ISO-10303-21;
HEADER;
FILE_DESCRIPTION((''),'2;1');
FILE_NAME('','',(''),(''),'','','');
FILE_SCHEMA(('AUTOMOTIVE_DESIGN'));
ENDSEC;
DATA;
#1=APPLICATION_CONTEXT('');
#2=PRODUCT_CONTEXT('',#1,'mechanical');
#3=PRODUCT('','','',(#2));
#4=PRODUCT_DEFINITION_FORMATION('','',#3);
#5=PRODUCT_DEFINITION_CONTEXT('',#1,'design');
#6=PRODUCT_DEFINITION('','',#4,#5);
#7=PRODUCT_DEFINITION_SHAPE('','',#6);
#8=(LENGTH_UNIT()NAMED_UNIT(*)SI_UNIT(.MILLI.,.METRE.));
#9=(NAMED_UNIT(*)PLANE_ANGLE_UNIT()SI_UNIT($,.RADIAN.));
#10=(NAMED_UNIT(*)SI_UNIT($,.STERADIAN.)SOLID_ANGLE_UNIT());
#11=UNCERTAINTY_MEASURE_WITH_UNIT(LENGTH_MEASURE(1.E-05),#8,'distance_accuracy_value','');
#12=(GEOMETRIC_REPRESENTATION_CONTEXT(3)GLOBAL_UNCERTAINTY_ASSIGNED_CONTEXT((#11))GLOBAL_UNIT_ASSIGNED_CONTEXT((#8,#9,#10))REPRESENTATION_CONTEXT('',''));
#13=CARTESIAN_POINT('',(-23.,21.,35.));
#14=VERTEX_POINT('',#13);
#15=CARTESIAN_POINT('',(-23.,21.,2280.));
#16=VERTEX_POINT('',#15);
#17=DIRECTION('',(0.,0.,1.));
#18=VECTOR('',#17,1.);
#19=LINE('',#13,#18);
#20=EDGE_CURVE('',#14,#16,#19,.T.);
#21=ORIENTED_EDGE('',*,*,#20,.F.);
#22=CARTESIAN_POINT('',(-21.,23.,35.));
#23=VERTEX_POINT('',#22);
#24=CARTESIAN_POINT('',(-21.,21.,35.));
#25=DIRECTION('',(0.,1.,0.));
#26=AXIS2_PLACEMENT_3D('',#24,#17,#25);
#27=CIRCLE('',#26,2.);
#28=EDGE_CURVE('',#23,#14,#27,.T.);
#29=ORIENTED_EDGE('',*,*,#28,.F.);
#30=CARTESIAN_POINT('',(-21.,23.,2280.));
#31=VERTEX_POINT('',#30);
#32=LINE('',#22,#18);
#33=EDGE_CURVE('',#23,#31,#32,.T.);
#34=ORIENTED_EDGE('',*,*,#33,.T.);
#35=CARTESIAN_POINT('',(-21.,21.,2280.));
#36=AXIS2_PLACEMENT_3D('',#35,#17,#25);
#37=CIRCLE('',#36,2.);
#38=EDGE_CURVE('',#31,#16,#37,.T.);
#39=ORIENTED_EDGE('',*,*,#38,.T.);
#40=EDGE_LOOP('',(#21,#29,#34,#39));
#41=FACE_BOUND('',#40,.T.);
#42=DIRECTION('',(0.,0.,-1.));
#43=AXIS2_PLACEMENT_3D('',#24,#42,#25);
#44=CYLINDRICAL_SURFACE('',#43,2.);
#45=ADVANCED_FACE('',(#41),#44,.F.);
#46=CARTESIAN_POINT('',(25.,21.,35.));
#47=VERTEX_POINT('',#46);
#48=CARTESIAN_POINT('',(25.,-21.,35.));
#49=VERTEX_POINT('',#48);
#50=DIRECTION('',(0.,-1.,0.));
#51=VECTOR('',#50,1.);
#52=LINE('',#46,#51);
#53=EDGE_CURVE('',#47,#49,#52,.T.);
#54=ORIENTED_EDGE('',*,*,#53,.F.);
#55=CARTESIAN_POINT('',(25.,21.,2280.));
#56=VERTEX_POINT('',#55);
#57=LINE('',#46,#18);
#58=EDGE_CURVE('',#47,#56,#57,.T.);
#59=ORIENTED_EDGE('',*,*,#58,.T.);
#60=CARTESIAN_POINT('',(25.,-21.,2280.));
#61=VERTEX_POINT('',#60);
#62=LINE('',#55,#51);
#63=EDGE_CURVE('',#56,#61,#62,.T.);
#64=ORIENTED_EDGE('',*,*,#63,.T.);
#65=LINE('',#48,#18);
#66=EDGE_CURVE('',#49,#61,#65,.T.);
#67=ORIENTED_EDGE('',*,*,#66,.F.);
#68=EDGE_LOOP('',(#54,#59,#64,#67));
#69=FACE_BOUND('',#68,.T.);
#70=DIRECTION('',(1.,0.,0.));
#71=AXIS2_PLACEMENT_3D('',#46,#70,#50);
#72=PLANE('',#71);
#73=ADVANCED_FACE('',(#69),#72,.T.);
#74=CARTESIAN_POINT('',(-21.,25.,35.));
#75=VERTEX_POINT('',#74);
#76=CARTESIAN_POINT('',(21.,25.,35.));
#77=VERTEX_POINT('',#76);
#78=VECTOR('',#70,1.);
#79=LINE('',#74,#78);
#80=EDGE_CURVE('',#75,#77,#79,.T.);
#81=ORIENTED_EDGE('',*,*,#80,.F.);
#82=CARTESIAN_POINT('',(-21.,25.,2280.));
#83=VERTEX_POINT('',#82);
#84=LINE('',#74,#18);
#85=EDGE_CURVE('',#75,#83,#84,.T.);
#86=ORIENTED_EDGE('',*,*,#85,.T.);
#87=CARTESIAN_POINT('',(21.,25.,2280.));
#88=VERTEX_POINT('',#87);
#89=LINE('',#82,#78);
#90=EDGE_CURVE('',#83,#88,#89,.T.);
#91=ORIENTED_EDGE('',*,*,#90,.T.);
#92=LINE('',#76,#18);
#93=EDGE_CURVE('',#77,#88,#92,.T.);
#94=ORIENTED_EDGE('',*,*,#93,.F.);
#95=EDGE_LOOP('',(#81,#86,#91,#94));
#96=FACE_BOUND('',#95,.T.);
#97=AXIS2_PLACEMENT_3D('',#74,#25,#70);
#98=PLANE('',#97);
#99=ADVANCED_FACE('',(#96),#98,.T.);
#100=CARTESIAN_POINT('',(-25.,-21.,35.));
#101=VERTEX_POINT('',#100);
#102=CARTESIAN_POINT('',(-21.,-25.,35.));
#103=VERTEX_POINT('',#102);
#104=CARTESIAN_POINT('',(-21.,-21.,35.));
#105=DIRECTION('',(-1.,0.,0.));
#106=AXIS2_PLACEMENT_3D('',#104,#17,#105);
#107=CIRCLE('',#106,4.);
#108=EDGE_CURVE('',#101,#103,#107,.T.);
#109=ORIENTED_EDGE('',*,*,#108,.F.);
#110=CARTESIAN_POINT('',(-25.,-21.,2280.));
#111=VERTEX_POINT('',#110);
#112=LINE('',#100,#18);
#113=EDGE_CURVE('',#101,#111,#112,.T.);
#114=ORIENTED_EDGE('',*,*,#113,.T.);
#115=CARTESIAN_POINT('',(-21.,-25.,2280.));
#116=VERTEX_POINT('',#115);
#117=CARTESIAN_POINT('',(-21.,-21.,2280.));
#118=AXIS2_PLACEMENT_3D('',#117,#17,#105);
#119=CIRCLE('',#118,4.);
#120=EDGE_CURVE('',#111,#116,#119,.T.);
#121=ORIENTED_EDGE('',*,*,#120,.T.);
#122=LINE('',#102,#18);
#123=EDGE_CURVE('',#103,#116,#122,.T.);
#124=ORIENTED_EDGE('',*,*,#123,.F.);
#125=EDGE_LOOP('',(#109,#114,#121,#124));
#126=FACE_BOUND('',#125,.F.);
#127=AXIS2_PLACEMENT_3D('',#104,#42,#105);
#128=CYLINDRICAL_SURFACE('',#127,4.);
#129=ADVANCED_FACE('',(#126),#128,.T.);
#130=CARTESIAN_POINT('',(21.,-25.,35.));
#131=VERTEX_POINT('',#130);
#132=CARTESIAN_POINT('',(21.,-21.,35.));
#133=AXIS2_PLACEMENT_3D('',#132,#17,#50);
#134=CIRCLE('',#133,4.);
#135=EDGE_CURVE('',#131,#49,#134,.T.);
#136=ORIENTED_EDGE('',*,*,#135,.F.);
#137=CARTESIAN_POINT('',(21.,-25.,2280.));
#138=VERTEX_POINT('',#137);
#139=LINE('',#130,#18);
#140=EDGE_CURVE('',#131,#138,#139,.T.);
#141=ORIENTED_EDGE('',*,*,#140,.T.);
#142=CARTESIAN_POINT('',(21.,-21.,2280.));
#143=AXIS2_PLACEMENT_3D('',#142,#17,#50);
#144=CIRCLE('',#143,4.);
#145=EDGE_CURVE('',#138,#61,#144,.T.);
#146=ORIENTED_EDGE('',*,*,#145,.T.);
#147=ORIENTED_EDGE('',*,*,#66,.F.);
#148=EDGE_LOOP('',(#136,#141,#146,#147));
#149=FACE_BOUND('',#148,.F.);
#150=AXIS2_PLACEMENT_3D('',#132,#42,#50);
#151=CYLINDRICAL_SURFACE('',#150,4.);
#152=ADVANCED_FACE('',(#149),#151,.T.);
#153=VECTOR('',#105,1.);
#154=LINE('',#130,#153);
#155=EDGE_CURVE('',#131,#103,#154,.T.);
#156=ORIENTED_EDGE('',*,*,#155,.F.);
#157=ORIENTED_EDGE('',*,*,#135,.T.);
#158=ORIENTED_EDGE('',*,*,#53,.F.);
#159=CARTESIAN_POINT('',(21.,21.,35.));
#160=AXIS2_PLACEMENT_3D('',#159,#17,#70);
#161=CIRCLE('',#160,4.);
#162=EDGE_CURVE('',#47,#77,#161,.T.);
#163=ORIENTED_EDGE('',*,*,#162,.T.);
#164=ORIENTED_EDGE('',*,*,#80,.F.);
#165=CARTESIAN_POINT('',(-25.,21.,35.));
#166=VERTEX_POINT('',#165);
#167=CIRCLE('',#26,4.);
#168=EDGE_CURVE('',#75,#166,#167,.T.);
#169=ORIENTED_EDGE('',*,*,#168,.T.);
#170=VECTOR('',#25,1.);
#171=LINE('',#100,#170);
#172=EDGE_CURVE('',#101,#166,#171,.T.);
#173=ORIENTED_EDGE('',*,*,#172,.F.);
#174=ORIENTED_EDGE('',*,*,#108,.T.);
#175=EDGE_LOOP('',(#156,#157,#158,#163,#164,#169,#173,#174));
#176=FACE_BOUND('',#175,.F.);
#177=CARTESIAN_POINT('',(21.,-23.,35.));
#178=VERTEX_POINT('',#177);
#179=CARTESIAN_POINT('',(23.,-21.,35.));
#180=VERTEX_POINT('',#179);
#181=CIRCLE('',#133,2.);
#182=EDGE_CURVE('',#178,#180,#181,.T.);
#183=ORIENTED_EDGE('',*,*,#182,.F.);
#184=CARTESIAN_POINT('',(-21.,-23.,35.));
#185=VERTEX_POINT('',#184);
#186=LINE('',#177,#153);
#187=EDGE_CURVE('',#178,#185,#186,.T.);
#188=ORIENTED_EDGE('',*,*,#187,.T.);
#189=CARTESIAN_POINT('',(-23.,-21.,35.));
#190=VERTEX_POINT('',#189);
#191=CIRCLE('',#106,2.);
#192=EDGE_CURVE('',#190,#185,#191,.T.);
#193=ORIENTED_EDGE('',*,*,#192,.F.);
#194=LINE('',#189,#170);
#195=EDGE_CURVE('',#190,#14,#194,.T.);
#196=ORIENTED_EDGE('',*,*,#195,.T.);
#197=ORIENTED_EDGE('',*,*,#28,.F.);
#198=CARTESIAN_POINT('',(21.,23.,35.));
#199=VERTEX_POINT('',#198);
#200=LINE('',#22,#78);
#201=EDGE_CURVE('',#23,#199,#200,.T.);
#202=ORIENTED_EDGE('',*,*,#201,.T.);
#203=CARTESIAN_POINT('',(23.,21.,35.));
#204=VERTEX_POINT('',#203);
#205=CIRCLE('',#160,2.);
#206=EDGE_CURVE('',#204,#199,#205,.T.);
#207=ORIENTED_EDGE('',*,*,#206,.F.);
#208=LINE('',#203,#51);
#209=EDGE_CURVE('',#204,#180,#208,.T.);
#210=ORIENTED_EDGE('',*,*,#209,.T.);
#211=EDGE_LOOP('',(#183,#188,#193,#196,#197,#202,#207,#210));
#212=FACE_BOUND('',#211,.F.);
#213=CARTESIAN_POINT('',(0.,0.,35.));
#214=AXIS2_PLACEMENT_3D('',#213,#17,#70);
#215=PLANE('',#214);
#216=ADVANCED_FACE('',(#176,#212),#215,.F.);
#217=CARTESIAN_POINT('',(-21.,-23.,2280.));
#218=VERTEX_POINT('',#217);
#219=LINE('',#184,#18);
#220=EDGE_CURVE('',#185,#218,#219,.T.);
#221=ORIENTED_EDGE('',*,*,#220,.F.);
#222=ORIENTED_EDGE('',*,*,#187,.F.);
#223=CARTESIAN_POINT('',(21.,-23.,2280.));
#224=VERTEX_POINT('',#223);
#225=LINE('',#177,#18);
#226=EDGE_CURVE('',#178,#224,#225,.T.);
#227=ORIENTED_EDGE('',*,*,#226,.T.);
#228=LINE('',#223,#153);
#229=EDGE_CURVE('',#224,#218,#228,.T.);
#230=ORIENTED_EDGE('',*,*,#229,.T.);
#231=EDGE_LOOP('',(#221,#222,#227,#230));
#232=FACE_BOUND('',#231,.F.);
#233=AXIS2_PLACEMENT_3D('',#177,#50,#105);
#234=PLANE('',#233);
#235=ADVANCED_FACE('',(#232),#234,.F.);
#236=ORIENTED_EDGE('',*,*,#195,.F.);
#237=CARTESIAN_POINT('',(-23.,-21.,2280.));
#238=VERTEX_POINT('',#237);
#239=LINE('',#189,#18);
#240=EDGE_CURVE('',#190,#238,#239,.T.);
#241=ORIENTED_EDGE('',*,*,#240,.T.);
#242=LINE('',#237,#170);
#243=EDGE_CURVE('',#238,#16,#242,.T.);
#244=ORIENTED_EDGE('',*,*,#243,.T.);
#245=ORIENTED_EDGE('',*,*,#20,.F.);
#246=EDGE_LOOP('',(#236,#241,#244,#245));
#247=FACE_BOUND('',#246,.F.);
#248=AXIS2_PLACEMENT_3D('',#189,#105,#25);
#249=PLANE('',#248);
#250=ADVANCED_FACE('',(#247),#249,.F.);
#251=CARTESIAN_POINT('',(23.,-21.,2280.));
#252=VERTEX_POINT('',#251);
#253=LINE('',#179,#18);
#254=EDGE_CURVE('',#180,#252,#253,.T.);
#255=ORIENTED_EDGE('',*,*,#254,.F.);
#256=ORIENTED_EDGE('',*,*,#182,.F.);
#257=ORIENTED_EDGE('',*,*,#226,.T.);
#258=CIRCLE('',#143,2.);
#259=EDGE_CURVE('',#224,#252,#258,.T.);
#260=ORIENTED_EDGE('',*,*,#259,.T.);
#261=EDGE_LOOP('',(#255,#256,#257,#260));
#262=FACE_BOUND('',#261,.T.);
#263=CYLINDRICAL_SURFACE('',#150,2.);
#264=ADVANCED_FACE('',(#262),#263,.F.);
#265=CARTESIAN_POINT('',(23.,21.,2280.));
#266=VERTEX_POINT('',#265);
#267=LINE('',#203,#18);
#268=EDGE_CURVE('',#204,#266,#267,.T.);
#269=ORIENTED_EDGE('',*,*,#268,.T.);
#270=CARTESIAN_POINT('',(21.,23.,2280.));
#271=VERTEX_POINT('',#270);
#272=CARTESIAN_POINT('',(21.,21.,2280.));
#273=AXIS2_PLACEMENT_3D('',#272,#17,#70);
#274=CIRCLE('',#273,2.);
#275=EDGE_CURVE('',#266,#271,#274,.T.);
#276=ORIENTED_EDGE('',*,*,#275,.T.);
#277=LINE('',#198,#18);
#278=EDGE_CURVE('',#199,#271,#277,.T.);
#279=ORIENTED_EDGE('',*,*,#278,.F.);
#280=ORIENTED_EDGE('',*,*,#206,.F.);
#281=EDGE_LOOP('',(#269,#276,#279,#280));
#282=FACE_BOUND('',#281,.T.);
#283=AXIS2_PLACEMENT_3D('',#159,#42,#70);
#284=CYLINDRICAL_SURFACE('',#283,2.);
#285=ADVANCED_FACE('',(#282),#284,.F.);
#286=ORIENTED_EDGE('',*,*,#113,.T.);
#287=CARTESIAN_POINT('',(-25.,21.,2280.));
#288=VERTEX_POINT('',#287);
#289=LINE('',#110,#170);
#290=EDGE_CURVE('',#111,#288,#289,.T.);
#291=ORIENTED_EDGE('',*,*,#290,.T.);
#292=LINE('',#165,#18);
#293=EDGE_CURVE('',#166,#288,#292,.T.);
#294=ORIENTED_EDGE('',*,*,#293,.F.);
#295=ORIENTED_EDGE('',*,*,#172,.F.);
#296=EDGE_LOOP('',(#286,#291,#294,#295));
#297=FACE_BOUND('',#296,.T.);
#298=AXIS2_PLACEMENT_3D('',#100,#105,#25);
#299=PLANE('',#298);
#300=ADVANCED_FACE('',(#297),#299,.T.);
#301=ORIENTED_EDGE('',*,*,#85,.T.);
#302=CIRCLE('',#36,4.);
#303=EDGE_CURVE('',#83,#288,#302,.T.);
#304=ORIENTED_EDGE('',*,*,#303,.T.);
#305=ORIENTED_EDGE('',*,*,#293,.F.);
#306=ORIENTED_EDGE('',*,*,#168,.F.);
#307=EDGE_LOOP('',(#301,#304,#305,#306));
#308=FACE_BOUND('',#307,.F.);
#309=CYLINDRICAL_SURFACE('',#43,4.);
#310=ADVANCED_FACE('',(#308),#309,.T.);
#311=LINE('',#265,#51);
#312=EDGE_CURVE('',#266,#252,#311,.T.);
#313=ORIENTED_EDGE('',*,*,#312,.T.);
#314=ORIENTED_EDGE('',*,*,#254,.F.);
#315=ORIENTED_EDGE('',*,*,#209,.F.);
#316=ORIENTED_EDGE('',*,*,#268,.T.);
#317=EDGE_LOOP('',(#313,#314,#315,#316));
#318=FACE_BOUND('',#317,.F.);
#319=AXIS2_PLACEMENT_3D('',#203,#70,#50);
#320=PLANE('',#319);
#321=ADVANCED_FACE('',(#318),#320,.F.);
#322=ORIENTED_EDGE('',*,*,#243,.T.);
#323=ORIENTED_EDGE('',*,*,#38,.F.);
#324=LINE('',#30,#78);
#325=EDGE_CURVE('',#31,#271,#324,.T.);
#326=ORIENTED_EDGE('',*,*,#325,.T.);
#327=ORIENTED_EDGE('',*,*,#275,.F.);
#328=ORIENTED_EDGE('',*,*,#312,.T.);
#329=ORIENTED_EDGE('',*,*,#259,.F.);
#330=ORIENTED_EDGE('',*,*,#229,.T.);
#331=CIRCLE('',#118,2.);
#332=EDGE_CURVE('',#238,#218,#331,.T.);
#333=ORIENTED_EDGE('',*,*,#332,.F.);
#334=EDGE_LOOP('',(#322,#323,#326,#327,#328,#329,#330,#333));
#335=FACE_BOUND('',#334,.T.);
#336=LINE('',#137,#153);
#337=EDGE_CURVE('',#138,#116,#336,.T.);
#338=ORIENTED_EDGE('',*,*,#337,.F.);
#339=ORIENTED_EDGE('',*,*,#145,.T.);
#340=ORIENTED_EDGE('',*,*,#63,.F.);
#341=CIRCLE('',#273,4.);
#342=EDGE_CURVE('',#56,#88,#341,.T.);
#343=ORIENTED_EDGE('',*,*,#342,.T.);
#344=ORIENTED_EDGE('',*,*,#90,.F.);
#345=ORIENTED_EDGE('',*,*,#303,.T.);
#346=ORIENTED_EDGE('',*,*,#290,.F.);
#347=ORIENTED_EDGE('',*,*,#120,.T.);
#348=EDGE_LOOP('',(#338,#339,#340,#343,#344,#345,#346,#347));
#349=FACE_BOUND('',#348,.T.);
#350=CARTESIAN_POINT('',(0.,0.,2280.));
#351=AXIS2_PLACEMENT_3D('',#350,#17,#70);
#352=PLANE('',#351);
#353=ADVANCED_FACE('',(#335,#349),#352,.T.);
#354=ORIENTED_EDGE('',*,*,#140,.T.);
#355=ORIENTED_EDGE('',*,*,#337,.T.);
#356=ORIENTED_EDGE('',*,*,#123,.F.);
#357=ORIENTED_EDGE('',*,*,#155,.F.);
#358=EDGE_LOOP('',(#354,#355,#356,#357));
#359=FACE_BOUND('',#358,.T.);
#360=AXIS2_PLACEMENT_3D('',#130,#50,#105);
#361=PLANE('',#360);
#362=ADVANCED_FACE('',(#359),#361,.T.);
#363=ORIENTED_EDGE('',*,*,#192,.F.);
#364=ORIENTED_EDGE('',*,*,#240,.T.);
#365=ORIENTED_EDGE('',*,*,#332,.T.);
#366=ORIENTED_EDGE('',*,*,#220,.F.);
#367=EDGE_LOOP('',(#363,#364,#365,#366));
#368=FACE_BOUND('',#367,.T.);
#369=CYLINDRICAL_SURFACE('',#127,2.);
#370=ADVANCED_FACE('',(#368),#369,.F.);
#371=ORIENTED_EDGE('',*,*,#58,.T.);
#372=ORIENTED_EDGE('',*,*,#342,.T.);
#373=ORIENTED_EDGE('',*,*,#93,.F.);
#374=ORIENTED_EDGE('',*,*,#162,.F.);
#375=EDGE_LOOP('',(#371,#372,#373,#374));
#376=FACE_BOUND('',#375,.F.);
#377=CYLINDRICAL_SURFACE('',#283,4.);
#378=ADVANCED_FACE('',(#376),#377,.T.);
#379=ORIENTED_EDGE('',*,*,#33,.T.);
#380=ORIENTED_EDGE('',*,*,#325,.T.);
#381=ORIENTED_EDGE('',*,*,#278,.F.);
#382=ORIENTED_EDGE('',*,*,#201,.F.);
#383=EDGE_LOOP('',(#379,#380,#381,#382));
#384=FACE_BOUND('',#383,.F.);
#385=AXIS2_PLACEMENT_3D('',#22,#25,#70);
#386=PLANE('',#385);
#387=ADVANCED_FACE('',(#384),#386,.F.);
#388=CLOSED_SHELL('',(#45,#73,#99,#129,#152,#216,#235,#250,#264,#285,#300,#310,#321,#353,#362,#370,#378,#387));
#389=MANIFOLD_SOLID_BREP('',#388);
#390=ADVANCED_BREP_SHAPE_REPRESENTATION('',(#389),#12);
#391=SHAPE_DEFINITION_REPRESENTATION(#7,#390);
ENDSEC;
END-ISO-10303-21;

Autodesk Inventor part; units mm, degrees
ref_plane "Plano inicial" through (0, 0, 35) normal (0, 0, 1) x (1, 0, 0)
ref_plane "Plano final" through (0, 0, 2280) normal (0, 0, 1) x (1, 0, 0)
sketch "Boceto" plane through (0, 0, 0) normal (0, 0, 1) x (1, 0, 0)
  line L0 (-25, -21) -> (-25, 21)
  line L1 (-21, 25) -> (21, 25)
  line L2 (25, 21) -> (25, -21)
  line L3 (21, -25) -> (-21, -25)
  arc A0 (-25, -21) -> (-21, -25) centre (-21, -21) ccw
  arc A1 (25, 21) -> (21, 25) centre (21, 21) ccw
  arc A2 (-21, 25) -> (-25, 21) centre (-21, 21) ccw
  arc A3 (21, -25) -> (25, -21) centre (21, -21) ccw
  arc A4 (-21, 23) -> (-23, 21) centre (-21, 21) ccw
  line L4 (-21, 23) -> (21, 23)
  arc A5 (23, 21) -> (21, 23) centre (21, 21) ccw
  line L5 (23, 21) -> (23, -21)
  arc A6 (21, -23) -> (23, -21) centre (21, -21) ccw
  line L6 (21, -23) -> (-21, -23)
  arc A7 (-23, -21) -> (-21, -23) centre (-21, -21) ccw
  line L7 (-23, -21) -> (-23, 21)
  line L8 (0, 36.1598) -> (0, -36.1598) construction
  line L9 (-36.1598, 0) -> (36.1598, 0) construction
  dimension "d7" = 4
  dimension "d9" = 50
  dimension "d11" = 50
  dimension "d12" = 2
  dimension "d15" = 25
  dimension "d16" = 25
extrude "Cuerpo" add sketch "Boceto" along normal up to surface (2245 mm away) from surface at 35
sketch "Sketch3" plane through (0, 0, 0) normal (0, 0, 1) x (1, 0, 0)
  line L0 (0, 0) -> (10, 0)
ref_plane "Work Plane3" through (0, 0, 0) normal (0, -1, 0) x (1, 0, 0)
sketch "Sketch4" plane through (0, 0, 0) normal (0, -1, 0) x (1, 0, 0)
  line L0 (-2, 35) -> (12, 35)
  line L1 (-2, 2280) -> (12, 2280)
  dimension "d18" = 2245
ref_plane "Plano de trabajo4" through (-149.94, 29, 2280) normal (0, 0, 1) x (1, 0, 0)
split "Dividir1" plane through (-149.94, 29, 2280) removes the side toward (0, 0, 1)
ref_plane "Plano de trabajo5" through (350.06, 29, 35) normal (0, 0, -1) x (-1, 0, 0)
split "Dividir2" plane through (350.06, 29, 35) removes the side toward (0, 0, -1)
equation "\"d7\" = G_IR"
equation "\"d9\" = G_W"
equation "\"d11\" = G_H"
equation "\"d12\" = G_T"
equation "\"d15\" = 0.5 * d9"
equation "\"d16\" = 0.5 * d11"
equation "\"d3\" = G_L"
equation "\"G_W\" = 50"
equation "\"G_H\" = 50"
equation "\"G_T\" = 2"
equation "\"G_IR\" = 4"
equation "\"G_L\" = d18"
equation "\"G_OFFSET_START\" = -35"
equation "\"G_OFFSET_END\" = -35"
equation "\"d13\" = -G_OFFSET_START"
equation "\"B_L\" = 2315"
properties part number "ISO 10799-2 - 50x50x2 - 2245" material "Galvanizado catalogo 1"
